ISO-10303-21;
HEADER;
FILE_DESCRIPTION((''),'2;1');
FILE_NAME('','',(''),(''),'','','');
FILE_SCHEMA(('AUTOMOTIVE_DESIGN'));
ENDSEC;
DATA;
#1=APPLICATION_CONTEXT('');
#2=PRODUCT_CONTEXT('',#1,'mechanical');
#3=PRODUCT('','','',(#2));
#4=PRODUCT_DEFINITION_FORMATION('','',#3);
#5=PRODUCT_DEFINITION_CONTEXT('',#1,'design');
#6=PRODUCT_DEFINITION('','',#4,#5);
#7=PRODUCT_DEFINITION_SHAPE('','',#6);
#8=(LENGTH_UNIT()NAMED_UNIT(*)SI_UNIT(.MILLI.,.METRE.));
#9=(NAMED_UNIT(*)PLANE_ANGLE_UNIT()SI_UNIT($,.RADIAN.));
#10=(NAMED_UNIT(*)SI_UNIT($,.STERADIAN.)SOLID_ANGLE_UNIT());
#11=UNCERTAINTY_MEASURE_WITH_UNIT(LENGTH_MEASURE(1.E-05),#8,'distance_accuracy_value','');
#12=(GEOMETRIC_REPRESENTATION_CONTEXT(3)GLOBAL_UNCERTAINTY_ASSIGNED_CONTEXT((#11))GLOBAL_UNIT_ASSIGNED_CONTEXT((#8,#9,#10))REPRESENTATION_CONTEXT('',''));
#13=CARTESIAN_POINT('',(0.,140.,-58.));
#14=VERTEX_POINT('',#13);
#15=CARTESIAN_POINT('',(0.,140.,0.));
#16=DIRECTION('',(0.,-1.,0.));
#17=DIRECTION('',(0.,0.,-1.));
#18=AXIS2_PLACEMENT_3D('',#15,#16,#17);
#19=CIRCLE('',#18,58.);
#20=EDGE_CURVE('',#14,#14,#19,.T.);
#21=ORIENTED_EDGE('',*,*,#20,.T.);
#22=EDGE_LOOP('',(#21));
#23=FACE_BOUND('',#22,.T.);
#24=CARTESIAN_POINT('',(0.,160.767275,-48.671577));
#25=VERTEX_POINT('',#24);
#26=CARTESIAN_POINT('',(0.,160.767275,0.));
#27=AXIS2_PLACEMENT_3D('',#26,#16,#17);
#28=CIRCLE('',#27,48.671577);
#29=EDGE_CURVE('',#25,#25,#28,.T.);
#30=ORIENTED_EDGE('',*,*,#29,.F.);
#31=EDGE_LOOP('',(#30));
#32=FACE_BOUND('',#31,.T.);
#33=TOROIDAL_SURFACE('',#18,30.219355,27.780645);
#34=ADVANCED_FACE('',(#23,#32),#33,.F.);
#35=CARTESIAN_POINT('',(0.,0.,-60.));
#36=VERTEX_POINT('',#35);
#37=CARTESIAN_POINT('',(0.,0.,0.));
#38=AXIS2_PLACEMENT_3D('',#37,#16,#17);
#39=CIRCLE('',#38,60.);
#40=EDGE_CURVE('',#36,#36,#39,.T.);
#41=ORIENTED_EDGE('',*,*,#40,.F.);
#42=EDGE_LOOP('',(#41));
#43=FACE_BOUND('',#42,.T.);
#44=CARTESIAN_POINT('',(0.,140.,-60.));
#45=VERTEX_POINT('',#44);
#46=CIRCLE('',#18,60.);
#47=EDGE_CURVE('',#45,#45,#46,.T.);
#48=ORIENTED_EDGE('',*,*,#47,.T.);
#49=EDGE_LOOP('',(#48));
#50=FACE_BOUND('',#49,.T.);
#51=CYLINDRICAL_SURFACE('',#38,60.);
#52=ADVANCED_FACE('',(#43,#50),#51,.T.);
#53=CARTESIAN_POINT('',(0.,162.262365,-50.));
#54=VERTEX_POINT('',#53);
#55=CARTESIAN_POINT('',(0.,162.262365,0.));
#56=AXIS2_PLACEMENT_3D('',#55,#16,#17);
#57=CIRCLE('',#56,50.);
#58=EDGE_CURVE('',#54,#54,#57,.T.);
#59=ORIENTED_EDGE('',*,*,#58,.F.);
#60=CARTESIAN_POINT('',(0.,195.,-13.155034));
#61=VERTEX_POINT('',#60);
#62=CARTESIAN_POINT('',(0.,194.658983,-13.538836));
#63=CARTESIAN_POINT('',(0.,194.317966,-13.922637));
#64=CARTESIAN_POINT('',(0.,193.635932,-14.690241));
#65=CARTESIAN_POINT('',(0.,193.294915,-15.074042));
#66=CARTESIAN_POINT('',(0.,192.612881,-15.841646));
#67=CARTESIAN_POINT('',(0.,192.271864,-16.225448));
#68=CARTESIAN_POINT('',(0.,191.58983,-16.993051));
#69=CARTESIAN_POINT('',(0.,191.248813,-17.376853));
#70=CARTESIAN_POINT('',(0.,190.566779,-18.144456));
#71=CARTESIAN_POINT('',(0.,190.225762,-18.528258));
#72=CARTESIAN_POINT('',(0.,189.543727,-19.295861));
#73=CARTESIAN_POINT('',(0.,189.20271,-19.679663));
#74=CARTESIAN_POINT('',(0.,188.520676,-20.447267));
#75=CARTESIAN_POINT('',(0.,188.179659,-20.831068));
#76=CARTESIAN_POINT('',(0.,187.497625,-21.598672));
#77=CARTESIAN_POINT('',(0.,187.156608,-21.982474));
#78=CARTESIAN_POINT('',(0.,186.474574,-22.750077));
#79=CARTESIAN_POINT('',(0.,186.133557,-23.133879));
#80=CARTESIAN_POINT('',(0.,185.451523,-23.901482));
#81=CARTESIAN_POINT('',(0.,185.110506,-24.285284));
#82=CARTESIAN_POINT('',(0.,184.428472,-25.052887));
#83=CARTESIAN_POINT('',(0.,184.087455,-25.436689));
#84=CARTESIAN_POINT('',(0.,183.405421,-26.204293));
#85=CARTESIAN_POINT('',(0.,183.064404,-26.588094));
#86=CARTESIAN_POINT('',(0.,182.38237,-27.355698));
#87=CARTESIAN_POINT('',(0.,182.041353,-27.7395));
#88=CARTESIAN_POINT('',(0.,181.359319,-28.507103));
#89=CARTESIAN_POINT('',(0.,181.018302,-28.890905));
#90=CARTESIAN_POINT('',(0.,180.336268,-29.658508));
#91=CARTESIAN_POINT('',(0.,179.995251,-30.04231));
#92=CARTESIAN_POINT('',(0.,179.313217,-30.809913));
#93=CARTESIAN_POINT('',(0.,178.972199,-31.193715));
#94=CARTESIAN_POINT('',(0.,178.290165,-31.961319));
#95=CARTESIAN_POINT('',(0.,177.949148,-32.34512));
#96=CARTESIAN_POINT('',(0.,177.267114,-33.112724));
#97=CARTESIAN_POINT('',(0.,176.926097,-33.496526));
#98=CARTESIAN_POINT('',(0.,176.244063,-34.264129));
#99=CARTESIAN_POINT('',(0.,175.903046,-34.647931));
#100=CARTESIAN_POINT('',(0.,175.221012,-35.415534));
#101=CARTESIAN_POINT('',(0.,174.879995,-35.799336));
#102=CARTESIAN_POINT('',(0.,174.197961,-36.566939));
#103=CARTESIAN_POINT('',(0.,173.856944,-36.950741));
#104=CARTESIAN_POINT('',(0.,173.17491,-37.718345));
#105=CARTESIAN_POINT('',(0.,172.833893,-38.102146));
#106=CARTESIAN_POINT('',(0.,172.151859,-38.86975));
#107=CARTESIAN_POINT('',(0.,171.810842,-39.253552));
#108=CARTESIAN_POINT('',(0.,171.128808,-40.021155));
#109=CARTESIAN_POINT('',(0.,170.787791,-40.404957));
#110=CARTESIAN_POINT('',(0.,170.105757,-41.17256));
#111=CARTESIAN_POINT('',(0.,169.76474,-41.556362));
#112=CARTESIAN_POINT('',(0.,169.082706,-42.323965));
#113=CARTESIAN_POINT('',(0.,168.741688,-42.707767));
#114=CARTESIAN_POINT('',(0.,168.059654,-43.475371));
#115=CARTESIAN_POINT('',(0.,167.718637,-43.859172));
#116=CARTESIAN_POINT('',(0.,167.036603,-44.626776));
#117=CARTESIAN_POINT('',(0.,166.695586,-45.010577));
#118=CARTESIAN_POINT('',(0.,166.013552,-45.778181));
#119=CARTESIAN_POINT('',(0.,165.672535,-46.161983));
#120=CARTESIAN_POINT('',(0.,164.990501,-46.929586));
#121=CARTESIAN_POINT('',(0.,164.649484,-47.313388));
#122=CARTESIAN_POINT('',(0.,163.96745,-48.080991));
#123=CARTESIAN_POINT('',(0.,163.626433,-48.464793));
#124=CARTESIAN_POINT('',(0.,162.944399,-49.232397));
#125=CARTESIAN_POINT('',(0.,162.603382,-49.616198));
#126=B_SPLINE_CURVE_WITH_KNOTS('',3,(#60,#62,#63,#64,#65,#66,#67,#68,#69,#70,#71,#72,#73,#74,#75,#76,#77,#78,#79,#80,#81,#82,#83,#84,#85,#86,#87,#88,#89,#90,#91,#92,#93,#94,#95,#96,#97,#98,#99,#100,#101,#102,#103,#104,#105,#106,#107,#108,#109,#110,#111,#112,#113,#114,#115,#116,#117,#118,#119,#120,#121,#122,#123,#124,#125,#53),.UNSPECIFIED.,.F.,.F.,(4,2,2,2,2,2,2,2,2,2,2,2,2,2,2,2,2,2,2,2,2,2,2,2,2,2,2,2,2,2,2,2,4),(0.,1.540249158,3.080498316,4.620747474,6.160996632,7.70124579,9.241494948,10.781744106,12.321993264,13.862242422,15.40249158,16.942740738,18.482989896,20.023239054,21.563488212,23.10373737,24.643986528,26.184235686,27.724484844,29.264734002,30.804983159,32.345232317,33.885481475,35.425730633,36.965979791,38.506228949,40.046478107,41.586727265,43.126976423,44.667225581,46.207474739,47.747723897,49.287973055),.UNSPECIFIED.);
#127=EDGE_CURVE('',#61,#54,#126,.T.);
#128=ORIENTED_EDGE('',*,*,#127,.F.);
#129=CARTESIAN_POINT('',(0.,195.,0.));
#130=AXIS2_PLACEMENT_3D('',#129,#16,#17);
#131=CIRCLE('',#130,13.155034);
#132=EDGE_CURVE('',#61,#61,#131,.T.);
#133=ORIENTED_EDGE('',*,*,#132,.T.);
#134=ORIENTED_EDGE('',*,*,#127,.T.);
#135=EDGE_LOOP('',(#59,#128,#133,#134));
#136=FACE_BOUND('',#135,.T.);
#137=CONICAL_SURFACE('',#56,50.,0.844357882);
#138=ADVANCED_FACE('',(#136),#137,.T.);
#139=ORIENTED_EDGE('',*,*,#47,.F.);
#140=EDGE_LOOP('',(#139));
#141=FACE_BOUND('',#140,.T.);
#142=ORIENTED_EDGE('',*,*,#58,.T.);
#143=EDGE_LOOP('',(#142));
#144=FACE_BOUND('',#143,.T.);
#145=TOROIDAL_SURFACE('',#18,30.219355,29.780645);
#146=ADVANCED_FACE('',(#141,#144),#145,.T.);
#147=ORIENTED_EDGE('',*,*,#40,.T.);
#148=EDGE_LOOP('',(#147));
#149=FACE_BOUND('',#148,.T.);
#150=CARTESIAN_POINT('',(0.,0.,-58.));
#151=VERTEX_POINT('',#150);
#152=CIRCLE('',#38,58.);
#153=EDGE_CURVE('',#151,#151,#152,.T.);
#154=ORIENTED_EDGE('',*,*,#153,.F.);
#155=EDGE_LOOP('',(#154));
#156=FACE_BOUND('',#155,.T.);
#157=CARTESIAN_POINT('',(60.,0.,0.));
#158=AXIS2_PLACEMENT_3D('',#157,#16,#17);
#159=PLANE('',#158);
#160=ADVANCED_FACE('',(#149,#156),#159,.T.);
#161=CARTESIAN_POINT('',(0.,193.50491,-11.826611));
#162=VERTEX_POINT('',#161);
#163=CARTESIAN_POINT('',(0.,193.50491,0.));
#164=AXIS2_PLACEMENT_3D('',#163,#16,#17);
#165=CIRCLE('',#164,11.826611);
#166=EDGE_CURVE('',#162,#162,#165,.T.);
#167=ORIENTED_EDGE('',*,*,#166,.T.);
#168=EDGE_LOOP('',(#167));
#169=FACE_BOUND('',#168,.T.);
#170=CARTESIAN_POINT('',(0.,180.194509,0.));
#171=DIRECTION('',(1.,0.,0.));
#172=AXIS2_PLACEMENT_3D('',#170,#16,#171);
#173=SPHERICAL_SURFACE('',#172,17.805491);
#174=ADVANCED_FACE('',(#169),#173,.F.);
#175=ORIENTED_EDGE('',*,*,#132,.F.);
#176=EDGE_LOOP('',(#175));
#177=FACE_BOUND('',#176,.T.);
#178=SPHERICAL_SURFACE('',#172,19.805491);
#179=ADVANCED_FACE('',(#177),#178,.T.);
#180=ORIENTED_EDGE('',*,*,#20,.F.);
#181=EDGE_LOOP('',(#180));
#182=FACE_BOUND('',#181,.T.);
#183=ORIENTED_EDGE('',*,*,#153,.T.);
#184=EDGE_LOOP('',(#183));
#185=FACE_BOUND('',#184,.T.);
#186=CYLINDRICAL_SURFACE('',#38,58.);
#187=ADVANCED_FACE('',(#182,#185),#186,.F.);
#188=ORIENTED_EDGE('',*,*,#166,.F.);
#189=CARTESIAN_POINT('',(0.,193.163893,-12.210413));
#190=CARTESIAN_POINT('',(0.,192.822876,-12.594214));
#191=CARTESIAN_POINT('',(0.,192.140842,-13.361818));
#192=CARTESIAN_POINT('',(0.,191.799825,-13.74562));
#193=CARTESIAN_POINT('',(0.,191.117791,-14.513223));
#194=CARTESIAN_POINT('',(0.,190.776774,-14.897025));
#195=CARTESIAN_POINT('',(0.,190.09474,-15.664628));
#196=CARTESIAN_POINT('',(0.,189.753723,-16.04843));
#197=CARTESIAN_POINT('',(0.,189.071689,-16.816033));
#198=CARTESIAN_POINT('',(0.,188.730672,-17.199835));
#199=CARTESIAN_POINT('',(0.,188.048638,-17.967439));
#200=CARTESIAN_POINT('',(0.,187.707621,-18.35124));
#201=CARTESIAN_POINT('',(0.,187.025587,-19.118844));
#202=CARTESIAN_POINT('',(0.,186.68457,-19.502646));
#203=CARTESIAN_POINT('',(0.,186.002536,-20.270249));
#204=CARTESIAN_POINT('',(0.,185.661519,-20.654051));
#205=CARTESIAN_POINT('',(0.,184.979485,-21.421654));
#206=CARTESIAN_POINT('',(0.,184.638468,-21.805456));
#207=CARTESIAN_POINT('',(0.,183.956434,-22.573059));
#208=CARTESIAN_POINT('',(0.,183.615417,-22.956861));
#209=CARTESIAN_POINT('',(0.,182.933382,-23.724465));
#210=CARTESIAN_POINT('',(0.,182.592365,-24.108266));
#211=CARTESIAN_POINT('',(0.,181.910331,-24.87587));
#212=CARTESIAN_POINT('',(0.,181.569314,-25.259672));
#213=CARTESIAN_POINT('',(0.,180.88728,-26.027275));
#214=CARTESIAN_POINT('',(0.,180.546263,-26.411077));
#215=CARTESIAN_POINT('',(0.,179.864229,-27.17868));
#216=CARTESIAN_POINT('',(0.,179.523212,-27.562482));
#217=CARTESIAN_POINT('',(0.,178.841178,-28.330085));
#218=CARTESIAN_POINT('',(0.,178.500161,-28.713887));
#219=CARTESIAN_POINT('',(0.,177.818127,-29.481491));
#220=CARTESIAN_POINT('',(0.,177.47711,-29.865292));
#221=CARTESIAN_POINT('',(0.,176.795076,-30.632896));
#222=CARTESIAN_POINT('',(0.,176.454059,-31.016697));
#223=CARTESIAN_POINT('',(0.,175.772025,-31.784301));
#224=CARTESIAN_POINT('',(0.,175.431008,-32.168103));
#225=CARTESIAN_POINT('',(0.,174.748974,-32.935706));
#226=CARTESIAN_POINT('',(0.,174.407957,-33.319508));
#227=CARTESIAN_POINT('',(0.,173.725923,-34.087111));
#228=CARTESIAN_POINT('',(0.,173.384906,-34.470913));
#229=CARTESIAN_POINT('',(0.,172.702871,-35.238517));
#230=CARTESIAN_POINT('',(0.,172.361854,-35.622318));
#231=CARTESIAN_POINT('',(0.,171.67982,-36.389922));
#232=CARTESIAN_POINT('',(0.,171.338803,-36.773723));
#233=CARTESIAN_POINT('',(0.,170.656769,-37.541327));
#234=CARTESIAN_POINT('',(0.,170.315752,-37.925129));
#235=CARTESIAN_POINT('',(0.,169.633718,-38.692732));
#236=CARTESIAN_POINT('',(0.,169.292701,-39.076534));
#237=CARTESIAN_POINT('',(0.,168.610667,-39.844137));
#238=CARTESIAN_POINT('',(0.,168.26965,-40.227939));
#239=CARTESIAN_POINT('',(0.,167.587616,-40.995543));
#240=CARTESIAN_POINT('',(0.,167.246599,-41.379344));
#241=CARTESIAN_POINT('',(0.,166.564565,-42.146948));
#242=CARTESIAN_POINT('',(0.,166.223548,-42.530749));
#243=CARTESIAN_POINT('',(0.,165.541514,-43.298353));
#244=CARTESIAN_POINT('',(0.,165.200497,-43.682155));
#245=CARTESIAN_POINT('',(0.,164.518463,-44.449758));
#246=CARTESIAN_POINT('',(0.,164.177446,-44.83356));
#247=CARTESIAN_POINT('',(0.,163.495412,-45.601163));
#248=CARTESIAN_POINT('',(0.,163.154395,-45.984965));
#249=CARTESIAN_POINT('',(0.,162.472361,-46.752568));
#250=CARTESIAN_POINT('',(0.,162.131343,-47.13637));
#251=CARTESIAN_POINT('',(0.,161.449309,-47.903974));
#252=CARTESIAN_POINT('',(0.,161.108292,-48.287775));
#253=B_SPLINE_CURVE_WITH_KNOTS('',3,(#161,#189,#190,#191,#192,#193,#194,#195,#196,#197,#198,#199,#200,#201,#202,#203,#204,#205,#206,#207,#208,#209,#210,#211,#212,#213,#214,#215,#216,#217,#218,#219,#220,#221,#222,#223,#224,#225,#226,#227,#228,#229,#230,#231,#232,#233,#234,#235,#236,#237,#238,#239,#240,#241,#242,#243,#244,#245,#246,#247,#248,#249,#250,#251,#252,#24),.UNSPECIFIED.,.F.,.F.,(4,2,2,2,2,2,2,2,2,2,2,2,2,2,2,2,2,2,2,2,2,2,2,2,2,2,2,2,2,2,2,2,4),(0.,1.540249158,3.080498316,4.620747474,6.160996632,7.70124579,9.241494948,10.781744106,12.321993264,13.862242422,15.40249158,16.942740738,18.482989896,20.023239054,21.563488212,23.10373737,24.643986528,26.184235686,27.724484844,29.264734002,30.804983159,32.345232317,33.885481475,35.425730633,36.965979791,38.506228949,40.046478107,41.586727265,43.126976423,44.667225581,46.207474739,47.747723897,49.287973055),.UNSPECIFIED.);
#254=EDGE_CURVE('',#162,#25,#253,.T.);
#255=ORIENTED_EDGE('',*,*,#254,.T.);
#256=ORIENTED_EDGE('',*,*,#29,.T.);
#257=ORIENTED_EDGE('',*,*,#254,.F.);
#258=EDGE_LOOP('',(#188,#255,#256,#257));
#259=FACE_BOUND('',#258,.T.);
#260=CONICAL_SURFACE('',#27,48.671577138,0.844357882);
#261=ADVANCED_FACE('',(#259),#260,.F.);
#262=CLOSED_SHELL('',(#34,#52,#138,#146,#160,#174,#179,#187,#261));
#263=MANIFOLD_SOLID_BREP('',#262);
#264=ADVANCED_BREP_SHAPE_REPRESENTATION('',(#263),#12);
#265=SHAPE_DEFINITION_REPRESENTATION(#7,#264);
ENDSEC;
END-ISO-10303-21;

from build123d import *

# Parameters (mm, degrees)
SHELL2_T = -2


with BuildPart() as part:
    # Sketch1 → Revolve2 (revolve)
    with BuildSketch(Plane.XY, mode=Mode.PRIVATE) as revolve2_sk:
        with BuildLine():
            Line((50, 162.262364882), (13.155033794, 195))
            ThreePointArc((13.155033794, 195), (7.036599216, 198.707848685), (0, 200))
            Line((0, 200), (0, 140))
            Line((0, 140), (0, 0))
            Line((0, 0), (60, 0))
            Line((60, 0), (60, 140))
            ThreePointArc((60, 140), (57.38520841, 152.202590812), (50, 162.262364882))
        make_face()
    revolve(revolve2_sk.sketch.rotate(Axis((0, 0, 0), (0, 1, 0)), 90), axis=Axis((0, 0, 0), (0, 1, 0)))

    # Shell2
    shell2_openings = [part.faces().sort_by_distance(p)[0] for p in [
        (0, 0, 0),
    ]]
    offset(amount=SHELL2_T, openings=shell2_openings, kind=Kind.INTERSECTION)


solid = part.part
